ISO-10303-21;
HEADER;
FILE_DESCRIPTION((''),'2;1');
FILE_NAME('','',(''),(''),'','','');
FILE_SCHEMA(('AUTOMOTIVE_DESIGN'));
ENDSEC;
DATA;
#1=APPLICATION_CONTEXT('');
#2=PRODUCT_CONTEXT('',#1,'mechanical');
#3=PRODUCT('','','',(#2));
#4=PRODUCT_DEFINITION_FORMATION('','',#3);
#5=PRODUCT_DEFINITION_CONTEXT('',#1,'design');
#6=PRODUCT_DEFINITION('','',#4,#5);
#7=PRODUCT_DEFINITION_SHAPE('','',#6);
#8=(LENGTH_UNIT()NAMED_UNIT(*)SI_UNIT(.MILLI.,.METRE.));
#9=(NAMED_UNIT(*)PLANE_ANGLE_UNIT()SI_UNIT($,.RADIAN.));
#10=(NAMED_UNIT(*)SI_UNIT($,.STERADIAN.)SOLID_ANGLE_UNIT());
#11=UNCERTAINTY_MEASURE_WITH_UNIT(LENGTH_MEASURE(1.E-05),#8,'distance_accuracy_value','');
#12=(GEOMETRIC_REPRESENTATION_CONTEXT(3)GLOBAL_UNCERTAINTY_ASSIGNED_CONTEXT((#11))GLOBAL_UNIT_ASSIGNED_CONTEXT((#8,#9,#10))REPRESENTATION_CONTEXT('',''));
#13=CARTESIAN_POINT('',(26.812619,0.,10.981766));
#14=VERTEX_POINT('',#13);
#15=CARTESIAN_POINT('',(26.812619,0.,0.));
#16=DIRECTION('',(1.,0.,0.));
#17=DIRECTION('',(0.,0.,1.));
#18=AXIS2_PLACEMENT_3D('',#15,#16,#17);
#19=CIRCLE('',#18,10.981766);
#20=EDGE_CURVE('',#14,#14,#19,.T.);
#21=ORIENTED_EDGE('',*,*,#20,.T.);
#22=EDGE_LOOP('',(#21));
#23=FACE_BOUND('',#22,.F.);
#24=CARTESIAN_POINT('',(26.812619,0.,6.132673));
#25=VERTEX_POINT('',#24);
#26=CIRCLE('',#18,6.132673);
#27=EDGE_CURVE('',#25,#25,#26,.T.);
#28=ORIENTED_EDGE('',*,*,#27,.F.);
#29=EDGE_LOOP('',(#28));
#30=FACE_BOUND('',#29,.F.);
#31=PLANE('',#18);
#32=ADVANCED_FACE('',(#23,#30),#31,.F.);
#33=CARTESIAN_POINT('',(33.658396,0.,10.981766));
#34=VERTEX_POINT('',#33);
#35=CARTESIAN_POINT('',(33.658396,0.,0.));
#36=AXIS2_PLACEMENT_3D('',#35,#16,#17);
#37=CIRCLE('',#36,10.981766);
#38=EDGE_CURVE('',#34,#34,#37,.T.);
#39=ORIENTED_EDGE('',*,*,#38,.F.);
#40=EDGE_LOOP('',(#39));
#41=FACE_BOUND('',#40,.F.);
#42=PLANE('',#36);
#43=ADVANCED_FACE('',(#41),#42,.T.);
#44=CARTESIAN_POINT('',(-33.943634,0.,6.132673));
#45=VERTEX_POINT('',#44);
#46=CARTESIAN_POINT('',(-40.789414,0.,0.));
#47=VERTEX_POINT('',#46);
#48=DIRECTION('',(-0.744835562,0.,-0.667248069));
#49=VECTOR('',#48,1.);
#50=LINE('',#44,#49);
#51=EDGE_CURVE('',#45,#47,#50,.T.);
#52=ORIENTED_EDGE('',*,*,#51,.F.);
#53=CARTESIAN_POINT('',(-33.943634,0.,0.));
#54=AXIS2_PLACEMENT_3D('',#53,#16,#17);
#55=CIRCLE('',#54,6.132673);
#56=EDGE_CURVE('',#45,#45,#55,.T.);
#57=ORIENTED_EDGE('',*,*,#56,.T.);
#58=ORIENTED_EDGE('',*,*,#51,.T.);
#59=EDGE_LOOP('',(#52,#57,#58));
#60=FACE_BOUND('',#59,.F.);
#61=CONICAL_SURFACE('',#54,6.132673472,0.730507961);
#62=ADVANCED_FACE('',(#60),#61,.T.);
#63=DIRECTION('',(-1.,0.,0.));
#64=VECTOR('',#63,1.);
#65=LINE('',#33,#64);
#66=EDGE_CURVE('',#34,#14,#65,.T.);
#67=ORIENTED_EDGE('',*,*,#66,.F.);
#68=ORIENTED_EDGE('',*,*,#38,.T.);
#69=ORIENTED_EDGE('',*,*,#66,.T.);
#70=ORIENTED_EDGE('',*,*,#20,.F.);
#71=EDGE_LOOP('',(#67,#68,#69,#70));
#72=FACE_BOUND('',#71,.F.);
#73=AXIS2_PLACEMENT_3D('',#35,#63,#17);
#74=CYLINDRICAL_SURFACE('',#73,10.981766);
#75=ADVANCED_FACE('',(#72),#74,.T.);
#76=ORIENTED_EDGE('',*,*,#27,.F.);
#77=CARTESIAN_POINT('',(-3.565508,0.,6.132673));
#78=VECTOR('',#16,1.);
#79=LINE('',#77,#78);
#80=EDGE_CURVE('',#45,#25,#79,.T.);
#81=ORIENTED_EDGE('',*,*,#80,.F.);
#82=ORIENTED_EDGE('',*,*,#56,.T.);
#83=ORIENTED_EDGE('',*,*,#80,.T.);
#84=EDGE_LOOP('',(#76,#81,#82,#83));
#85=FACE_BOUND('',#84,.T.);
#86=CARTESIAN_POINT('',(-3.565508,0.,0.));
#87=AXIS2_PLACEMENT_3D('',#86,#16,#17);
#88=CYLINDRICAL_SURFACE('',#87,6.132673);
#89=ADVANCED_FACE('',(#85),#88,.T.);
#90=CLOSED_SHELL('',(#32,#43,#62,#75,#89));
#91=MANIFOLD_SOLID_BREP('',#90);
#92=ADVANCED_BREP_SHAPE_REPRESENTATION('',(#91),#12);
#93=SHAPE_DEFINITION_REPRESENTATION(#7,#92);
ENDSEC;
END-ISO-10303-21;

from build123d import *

# Parameters (mm, degrees)
F0_W = 60.7562530786
F0_H = 6.1326734722


with BuildPart() as f1:
    # F0 (on Front) → F1 (revolve)
    with BuildSketch(Plane.XZ):
        with Locations((-3.5655079409, 3.0663367361)):
            Rectangle(F0_W, F0_H)
        Polygon((-33.9436344802, 0), (-33.9436344802, 6.1326734722), (-40.7894141972, 0), align=None)
        Polygon((26.8126185983, 10.9817655757), (26.8126185983, 6.1326734722), (26.8126185983, 0), (33.6583964527, 0), (33.6583964527, 10.9817655757), align=None)
    revolve(axis=Axis((-3.5655079409, 0, 0), (1, 0, 0)))


solid = f1.part
